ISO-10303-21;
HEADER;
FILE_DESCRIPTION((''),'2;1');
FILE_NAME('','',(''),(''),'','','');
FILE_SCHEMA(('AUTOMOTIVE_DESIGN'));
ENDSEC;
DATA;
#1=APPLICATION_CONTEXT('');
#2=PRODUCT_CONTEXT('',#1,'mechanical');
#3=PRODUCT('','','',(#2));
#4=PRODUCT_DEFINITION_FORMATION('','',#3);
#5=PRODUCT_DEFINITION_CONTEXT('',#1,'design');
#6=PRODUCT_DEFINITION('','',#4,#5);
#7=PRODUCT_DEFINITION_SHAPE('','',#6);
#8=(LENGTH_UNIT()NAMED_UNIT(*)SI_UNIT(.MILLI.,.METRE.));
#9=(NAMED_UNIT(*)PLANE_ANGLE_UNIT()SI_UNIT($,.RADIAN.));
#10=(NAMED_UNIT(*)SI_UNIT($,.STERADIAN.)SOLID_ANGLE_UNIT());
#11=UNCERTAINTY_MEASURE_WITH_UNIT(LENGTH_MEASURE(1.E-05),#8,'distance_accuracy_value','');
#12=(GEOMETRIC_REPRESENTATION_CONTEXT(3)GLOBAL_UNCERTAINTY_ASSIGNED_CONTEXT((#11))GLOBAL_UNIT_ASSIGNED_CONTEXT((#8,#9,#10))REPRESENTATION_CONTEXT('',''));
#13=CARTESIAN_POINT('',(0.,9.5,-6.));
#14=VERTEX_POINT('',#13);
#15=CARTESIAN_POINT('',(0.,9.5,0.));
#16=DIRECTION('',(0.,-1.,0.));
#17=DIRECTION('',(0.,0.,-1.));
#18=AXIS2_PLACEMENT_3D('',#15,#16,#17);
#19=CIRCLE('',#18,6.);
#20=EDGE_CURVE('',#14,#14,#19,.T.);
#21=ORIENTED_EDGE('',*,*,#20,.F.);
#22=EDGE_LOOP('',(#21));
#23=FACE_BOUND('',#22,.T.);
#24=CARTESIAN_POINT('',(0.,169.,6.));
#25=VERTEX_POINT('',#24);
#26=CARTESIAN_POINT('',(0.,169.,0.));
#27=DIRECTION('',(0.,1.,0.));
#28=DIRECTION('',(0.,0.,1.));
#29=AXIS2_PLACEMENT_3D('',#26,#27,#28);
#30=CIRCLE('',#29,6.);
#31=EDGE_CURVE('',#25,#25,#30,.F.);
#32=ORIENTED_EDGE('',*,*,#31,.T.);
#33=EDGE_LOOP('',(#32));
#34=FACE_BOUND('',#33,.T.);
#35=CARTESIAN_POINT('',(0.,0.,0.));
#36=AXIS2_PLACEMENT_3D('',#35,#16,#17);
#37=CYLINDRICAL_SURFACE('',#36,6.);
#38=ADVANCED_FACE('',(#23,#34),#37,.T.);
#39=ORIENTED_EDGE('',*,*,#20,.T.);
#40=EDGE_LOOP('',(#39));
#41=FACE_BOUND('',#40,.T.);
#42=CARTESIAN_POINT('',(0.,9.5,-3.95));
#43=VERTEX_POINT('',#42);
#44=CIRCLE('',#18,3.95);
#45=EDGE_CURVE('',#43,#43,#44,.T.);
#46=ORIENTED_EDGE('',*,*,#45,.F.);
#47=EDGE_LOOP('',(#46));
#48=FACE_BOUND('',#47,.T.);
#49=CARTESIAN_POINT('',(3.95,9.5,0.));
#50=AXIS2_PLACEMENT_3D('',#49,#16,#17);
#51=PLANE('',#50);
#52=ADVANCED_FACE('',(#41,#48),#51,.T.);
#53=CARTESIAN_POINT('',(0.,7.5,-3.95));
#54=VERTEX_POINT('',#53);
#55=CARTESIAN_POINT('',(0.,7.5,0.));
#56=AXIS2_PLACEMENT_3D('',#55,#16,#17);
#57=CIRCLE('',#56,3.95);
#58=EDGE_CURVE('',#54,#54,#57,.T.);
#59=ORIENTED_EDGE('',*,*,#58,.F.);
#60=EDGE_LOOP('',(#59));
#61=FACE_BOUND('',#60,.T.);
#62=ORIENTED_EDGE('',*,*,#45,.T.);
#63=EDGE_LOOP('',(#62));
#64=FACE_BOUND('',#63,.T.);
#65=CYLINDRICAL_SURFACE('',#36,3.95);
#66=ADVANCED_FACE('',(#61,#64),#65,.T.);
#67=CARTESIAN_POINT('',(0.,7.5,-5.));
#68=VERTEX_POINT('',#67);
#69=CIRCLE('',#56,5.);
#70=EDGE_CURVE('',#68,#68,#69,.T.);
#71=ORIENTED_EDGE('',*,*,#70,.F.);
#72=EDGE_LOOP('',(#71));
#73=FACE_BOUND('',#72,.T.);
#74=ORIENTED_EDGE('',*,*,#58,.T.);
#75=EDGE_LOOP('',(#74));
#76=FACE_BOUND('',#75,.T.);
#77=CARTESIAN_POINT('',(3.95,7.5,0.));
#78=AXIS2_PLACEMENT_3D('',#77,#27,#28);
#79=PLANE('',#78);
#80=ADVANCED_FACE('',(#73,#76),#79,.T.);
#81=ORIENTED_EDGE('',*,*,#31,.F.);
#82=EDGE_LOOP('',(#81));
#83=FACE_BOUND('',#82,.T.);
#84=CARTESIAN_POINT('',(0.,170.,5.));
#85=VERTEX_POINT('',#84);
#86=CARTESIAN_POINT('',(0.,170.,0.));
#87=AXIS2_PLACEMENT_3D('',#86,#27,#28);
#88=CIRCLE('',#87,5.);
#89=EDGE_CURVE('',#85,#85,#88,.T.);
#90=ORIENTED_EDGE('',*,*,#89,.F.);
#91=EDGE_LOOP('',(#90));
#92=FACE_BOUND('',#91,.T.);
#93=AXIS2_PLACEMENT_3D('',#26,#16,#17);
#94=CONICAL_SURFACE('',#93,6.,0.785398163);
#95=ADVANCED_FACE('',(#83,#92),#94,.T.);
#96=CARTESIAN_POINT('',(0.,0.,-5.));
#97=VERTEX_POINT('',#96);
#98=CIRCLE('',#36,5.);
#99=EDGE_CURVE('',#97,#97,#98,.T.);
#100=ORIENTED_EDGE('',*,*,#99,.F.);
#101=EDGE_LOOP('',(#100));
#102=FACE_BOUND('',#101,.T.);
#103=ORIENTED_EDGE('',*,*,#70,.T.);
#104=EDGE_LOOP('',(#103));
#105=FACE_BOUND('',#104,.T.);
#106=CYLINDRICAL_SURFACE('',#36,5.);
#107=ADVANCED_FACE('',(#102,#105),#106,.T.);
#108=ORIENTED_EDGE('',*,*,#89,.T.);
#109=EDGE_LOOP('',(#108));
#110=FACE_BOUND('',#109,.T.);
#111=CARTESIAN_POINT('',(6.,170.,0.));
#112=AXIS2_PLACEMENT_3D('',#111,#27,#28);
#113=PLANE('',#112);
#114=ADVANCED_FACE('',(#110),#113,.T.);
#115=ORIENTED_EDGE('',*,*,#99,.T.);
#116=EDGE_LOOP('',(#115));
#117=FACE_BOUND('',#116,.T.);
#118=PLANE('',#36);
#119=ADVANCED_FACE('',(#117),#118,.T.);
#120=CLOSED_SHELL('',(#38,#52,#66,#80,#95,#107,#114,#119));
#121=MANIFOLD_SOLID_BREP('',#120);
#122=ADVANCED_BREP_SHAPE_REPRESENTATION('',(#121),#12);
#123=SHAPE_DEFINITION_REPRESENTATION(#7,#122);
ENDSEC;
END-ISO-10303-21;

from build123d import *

# Parameters (mm, degrees)
CHAMFER1_SIZE = 1


with BuildPart() as part:
    # Sketch1 → Revolve1 (revolve)
    with BuildSketch(Plane.XY, mode=Mode.PRIVATE) as revolve1_sk:
        Polygon((0, 0), (5, 0), (5, 7.5), (3.95, 7.5), (3.95, 9.5), (6, 9.5), (6, 170), (0, 170), align=None)
    revolve(revolve1_sk.sketch.rotate(Axis((0, 0, 0), (0, 1, 0)), 90), axis=Axis((0, 0, 0), (0, 1, 0)))

    # Chamfer1
    chamfer1_edges = [part.edges().sort_by_distance(p)[0] for p in [
        (0, 170, 6),
    ]]
    chamfer(chamfer1_edges, length=CHAMFER1_SIZE)


solid = part.part
